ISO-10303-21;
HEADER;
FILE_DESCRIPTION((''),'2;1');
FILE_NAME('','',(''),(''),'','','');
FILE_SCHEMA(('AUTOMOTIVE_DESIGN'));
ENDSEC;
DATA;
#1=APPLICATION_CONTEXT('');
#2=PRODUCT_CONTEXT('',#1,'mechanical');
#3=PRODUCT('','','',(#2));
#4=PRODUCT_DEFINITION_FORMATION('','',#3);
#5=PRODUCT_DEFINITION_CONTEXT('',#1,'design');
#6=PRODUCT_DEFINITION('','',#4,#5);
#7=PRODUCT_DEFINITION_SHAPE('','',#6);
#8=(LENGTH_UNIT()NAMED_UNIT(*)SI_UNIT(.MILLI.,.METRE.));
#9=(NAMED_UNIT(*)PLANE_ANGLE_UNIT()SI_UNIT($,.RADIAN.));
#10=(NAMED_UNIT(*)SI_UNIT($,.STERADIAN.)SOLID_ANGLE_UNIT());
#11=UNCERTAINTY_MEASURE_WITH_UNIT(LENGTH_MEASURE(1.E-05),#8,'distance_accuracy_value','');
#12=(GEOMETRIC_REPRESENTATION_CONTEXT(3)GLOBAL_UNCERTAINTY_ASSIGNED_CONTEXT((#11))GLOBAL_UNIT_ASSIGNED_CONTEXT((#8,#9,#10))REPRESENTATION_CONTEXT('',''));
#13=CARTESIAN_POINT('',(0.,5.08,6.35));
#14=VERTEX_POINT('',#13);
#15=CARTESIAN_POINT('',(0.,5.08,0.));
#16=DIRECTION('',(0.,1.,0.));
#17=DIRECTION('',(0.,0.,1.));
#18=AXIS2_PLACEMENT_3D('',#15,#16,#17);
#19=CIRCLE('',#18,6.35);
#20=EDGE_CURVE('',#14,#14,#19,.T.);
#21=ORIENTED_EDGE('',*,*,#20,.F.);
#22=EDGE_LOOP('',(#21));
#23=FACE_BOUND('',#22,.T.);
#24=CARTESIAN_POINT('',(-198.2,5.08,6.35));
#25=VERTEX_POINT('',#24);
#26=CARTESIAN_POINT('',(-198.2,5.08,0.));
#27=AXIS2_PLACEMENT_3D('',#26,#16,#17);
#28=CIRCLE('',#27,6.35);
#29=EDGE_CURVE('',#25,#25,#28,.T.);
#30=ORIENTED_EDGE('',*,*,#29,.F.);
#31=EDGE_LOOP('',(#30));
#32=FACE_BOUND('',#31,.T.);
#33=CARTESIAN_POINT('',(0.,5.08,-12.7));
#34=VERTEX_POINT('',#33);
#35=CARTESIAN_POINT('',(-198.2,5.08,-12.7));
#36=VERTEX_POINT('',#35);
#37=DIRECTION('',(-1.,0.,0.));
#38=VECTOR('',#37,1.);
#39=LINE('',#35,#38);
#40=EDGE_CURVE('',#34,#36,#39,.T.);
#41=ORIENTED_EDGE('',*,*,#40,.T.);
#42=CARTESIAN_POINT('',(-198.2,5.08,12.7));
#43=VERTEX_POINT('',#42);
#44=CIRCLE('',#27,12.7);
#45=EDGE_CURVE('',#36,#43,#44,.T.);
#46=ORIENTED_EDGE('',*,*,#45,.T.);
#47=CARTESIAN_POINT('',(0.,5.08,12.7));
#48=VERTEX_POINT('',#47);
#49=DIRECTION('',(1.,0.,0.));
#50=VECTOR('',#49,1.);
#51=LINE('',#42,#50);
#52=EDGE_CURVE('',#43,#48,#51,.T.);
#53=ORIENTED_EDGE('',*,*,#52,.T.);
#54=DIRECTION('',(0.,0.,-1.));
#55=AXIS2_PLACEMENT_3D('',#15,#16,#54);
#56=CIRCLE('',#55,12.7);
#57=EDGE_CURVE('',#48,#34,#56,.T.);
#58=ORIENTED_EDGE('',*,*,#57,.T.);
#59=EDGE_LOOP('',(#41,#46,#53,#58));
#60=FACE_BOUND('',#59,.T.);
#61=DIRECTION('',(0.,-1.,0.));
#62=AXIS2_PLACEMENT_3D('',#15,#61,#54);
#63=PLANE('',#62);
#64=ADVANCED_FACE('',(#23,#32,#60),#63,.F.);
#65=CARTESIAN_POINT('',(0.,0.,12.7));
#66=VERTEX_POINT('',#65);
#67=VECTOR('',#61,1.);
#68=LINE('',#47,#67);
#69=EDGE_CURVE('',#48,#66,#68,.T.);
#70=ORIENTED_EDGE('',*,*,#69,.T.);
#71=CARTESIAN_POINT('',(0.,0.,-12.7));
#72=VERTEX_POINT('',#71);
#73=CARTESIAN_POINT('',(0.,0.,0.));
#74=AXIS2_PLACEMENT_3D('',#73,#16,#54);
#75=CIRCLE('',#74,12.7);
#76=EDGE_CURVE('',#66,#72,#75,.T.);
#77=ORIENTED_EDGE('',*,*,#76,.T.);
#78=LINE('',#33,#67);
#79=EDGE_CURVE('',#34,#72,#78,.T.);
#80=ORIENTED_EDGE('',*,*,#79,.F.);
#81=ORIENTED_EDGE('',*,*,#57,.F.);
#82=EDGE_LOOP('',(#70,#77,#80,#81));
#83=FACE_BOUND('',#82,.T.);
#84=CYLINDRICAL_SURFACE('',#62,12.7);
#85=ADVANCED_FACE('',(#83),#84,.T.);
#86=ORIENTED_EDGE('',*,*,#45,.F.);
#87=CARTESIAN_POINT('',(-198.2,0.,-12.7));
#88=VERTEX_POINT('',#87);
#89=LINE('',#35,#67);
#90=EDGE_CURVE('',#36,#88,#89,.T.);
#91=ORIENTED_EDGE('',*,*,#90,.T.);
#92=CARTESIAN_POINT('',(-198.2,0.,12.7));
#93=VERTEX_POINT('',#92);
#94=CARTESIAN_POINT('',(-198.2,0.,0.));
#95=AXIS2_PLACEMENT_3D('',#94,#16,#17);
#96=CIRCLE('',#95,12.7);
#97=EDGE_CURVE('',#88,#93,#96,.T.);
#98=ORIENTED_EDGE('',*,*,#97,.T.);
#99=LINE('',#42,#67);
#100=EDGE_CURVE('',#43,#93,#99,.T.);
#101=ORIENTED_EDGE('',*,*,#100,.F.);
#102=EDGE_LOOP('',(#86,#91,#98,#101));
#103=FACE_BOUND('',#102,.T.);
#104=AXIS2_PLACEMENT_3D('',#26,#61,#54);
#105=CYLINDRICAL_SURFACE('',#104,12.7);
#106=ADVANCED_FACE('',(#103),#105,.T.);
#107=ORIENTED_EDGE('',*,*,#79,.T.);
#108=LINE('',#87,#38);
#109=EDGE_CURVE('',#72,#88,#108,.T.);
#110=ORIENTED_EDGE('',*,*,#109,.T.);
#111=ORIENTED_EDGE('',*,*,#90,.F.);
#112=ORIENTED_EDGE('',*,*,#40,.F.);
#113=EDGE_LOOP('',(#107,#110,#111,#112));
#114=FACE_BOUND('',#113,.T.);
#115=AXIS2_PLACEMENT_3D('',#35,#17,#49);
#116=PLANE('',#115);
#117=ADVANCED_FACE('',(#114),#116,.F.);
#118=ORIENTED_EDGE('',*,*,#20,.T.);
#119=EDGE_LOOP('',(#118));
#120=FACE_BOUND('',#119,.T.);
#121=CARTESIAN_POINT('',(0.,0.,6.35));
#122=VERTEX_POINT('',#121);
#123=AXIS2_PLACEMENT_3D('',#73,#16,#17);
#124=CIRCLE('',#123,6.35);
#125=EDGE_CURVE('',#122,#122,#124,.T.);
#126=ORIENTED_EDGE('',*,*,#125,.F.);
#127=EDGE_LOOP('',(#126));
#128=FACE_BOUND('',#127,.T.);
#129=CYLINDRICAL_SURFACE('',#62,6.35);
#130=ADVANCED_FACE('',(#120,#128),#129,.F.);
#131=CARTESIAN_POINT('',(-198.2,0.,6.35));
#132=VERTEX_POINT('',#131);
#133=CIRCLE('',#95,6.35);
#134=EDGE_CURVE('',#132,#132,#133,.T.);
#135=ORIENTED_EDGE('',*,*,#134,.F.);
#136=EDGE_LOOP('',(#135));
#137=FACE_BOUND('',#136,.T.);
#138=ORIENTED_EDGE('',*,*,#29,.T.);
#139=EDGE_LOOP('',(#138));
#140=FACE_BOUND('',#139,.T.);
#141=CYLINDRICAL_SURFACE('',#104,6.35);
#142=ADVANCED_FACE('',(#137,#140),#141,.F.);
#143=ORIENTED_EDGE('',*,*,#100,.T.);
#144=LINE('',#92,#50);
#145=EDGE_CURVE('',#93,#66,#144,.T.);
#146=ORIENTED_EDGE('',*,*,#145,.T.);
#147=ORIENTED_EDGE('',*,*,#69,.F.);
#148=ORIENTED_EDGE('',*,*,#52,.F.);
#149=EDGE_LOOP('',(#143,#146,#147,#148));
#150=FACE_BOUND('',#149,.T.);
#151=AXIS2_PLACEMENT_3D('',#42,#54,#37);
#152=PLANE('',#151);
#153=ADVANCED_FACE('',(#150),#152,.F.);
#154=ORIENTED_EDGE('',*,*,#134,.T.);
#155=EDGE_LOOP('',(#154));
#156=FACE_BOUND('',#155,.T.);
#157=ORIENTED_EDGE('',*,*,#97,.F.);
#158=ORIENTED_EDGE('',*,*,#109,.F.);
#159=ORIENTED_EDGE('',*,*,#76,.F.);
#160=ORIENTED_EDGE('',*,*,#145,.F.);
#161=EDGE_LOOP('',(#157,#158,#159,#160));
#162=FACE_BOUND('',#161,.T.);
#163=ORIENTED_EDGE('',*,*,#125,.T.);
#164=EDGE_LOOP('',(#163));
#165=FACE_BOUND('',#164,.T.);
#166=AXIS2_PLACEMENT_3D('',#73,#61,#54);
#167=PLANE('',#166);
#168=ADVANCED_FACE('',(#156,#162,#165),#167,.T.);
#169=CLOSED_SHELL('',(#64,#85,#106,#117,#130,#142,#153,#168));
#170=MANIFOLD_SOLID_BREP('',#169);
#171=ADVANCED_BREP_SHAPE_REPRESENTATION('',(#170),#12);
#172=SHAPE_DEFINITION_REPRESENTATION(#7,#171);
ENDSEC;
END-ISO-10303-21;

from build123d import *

# Parameters (mm, degrees)
SKETCH2_R           = 6.35
BOSS_EXTRUDE1_DEPTH = 5.08


with BuildPart() as part:
    # Sketch2 → Boss-Extrude1 (new body)
    with BuildSketch(Plane(origin=(0, 0, 0), x_dir=(1, 0, 0), z_dir=(0, 1, 0))):
        with BuildLine():
            Line((-198.2, 12.7), (0, 12.7))
            ThreePointArc((0, 12.7), (12.7, 0), (0, -12.7))
            Line((0, -12.7), (-198.2, -12.7))
            ThreePointArc((-198.2, -12.7), (-210.9, 0), (-198.2, 12.7))
        make_face()
        with Locations(Location((0, 0, 0), (0, 0, 270))):
            Circle(SKETCH2_R, mode=Mode.SUBTRACT)
        with Locations(Location((-198.2, 0, 0), (0, 0, 270))):
            Circle(SKETCH2_R, mode=Mode.SUBTRACT)
    extrude(amount=BOSS_EXTRUDE1_DEPTH)


solid = part.part
